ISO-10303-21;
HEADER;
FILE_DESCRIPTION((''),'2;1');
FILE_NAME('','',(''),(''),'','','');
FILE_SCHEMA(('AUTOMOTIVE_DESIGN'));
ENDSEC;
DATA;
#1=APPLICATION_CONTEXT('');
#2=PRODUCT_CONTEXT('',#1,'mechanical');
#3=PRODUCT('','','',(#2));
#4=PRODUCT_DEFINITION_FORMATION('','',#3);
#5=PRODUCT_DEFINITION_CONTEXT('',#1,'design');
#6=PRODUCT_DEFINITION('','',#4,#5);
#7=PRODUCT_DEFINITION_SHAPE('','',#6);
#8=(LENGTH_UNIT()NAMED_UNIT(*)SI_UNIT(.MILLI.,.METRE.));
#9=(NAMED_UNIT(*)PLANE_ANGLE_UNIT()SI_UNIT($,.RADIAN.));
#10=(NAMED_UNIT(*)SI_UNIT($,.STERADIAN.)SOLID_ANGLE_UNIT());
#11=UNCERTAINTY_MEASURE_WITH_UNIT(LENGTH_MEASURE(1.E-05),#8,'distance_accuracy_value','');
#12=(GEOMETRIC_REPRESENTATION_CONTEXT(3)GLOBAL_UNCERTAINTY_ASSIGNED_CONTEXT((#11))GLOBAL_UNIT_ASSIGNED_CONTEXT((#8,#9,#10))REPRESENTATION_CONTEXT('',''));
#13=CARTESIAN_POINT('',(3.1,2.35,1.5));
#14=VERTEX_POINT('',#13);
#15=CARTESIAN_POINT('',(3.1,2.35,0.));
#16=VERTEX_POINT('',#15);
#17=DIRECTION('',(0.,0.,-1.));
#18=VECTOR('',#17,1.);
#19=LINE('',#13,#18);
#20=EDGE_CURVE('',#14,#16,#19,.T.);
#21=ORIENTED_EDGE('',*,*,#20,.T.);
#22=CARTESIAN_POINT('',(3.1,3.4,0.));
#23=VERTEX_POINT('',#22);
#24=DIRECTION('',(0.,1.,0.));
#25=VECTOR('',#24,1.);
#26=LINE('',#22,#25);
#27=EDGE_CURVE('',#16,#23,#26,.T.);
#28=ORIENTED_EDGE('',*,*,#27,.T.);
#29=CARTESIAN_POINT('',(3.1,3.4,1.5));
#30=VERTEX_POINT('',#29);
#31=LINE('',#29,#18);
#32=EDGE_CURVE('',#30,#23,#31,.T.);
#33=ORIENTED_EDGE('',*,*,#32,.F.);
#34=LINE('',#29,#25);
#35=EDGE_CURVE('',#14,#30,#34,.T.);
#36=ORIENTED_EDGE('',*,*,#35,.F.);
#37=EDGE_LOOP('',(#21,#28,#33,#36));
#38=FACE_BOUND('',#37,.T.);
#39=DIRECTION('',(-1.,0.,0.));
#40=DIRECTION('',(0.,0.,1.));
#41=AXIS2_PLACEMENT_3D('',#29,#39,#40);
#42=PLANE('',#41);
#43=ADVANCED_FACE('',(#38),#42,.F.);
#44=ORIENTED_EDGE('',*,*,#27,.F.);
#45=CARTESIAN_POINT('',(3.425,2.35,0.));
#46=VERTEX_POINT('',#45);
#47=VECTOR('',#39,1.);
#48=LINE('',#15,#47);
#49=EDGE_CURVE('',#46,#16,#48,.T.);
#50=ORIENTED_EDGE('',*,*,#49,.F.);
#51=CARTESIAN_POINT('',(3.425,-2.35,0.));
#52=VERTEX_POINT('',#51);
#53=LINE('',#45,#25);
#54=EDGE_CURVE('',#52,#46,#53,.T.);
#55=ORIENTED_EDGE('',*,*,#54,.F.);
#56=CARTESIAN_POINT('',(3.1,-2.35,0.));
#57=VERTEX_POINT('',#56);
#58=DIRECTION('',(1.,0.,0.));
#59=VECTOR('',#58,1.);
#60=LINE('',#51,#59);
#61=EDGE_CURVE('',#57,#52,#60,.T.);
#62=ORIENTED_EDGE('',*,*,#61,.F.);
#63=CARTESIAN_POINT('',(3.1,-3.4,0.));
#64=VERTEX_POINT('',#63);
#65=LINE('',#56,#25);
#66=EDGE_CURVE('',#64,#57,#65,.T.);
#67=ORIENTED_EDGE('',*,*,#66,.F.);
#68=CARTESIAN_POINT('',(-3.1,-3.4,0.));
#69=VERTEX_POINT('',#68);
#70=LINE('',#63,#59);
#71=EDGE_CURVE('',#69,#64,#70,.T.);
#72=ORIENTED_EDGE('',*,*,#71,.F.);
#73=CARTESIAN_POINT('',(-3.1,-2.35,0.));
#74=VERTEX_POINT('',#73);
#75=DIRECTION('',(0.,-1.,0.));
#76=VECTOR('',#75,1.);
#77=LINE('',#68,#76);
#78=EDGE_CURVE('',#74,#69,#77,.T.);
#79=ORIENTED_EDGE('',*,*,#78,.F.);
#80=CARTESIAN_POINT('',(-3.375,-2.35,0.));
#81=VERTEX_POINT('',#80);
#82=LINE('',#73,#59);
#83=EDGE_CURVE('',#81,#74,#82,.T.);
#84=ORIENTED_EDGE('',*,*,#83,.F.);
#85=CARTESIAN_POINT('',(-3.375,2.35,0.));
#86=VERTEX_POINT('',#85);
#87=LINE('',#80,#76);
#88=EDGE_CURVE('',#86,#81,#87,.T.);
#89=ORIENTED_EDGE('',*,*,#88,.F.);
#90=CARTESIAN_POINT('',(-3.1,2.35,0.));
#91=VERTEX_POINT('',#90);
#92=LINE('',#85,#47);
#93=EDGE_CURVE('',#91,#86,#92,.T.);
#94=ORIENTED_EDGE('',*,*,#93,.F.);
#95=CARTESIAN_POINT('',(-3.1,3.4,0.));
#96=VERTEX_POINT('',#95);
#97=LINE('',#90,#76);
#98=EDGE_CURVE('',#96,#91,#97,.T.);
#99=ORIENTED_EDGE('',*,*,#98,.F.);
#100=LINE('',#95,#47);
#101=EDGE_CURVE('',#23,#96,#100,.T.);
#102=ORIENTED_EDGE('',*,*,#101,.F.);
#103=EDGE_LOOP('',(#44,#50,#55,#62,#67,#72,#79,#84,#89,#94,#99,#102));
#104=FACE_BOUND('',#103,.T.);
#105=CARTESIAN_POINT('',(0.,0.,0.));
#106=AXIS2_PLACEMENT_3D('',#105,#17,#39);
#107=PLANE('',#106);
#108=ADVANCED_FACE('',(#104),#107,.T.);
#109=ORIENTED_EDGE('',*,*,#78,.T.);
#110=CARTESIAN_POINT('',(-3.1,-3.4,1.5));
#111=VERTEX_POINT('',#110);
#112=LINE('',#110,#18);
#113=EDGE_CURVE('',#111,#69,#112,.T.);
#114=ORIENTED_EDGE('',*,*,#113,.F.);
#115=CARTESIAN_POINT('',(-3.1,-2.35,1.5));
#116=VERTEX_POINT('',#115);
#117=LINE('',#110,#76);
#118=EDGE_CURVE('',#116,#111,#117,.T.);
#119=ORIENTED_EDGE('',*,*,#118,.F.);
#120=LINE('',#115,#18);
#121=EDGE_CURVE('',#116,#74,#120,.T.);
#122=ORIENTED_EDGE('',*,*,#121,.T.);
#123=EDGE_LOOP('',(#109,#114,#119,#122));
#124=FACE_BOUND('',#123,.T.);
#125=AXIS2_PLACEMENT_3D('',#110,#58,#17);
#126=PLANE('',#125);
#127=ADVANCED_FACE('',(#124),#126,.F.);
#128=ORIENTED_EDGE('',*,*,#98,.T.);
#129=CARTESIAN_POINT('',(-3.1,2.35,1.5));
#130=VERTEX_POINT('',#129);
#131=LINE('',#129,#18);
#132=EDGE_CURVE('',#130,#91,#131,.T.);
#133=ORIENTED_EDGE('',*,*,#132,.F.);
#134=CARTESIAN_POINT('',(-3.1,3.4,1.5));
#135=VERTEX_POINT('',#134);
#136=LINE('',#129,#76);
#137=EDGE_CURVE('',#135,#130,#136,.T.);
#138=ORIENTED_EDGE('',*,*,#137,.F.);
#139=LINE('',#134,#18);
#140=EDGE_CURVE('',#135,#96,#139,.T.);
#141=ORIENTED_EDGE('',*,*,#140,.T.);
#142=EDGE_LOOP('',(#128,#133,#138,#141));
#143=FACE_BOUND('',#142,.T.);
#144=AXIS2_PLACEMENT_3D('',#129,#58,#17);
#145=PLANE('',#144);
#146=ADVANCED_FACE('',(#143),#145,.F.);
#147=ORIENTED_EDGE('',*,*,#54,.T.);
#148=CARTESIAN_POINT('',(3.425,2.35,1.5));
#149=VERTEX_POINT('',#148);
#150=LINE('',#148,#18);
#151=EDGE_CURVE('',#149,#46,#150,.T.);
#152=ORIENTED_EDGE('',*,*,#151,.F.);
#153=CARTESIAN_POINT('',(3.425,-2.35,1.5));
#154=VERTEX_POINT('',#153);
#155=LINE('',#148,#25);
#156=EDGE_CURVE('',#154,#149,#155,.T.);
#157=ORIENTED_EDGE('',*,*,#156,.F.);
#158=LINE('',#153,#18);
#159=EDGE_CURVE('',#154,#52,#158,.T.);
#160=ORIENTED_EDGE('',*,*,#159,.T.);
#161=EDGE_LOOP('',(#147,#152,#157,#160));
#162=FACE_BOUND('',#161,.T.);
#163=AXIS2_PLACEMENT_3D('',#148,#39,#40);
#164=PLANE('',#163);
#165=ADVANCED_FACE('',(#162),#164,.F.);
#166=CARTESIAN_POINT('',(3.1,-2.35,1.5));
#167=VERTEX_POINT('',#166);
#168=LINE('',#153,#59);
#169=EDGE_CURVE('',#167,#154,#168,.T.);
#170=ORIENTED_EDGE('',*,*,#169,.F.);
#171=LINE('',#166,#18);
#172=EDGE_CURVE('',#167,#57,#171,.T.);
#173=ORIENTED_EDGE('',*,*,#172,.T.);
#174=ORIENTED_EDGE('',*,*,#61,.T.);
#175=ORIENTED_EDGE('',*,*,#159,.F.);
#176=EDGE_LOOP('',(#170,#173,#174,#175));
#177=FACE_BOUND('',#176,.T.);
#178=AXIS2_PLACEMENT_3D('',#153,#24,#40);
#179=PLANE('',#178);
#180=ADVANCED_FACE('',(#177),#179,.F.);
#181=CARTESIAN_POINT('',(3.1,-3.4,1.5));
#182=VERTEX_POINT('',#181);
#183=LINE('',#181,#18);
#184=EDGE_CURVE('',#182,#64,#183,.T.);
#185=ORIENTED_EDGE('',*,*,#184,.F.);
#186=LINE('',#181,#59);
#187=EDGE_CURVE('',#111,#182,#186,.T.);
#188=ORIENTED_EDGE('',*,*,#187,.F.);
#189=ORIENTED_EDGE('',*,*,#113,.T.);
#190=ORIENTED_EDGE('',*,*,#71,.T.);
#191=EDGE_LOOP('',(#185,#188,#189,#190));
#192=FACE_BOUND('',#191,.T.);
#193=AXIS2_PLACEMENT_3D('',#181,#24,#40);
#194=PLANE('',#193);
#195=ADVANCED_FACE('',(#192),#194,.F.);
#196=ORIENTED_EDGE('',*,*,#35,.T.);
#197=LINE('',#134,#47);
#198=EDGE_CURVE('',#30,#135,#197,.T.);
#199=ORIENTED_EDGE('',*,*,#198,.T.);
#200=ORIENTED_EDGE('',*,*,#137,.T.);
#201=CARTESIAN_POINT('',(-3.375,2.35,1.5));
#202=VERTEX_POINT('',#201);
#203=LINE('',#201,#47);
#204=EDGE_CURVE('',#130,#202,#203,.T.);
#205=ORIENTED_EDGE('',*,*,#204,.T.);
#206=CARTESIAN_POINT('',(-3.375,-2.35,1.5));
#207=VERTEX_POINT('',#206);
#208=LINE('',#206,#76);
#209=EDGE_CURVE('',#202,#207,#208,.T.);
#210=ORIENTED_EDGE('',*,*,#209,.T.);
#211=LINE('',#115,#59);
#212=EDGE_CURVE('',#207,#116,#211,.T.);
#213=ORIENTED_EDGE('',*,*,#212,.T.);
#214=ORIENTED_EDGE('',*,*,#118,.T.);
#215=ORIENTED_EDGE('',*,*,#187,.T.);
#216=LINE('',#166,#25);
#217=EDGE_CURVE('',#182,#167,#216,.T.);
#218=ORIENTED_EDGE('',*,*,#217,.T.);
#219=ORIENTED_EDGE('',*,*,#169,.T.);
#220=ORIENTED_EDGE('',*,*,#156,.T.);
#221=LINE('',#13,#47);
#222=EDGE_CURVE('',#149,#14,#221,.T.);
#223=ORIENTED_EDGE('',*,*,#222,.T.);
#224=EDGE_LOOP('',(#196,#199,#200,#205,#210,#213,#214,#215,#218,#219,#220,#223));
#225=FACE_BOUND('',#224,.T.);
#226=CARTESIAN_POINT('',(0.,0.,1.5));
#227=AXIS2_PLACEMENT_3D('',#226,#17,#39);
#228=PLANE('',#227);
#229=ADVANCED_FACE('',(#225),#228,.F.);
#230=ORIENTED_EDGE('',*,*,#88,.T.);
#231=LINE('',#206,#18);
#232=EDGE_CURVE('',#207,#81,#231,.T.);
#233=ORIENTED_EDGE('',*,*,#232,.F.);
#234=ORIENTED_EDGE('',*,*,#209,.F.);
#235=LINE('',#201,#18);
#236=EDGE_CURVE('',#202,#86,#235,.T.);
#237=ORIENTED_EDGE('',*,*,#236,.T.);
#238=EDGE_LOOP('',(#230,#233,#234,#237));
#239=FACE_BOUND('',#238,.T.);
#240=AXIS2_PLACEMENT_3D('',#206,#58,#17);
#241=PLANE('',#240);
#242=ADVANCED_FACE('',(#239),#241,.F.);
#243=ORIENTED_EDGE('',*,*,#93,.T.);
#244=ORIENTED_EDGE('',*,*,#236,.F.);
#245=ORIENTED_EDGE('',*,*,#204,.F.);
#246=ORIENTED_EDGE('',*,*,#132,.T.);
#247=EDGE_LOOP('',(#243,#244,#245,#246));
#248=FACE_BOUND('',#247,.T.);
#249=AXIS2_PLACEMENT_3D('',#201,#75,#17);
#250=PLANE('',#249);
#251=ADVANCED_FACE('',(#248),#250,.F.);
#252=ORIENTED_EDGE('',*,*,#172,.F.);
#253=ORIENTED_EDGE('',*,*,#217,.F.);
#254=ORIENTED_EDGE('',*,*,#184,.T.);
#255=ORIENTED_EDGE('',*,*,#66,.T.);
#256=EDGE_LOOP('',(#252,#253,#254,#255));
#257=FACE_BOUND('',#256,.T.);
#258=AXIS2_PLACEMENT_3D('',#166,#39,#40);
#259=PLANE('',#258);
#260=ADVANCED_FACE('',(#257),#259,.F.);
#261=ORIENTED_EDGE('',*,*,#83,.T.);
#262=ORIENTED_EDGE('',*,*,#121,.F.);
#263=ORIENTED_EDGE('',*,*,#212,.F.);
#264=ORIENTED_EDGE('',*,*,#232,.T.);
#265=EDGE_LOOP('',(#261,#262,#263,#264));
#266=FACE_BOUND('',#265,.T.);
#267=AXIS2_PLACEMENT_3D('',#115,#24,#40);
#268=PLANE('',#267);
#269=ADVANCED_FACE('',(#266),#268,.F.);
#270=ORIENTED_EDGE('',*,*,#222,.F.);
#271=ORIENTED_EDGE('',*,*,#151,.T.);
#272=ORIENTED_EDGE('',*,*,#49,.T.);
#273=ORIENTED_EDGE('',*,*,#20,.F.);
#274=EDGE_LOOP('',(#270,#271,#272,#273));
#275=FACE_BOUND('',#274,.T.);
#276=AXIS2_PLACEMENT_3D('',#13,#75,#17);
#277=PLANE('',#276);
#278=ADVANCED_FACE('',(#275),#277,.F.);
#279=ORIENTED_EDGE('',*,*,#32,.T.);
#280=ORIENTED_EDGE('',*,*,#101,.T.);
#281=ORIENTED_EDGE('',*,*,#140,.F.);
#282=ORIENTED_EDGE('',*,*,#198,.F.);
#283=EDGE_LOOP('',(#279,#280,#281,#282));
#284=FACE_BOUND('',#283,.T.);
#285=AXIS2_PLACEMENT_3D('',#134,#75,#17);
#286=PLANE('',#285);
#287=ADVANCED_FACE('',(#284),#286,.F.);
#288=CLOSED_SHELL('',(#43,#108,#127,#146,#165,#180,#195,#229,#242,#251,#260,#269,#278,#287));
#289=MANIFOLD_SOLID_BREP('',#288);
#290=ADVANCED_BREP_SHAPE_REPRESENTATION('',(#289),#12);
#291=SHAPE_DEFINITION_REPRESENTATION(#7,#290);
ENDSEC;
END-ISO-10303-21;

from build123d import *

# Parameters (mm, degrees)
COMPONENT_OUTLINE_DEPTH = 1.5


with BuildPart() as part:
    # 草图1 → Component_Outline (new body)
    with BuildSketch(Plane.XY):
        Polygon((3.1, 3.4), (3.1, 2.35), (3.425, 2.35), (3.425, -2.35), (3.1, -2.35), (3.1, -3.4), (-3.1, -3.4), (-3.1, -2.35), (-3.375, -2.35), (-3.375, 2.35), (-3.1, 2.35), (-3.1, 3.4), align=None)
    extrude(amount=COMPONENT_OUTLINE_DEPTH)


solid = part.part
